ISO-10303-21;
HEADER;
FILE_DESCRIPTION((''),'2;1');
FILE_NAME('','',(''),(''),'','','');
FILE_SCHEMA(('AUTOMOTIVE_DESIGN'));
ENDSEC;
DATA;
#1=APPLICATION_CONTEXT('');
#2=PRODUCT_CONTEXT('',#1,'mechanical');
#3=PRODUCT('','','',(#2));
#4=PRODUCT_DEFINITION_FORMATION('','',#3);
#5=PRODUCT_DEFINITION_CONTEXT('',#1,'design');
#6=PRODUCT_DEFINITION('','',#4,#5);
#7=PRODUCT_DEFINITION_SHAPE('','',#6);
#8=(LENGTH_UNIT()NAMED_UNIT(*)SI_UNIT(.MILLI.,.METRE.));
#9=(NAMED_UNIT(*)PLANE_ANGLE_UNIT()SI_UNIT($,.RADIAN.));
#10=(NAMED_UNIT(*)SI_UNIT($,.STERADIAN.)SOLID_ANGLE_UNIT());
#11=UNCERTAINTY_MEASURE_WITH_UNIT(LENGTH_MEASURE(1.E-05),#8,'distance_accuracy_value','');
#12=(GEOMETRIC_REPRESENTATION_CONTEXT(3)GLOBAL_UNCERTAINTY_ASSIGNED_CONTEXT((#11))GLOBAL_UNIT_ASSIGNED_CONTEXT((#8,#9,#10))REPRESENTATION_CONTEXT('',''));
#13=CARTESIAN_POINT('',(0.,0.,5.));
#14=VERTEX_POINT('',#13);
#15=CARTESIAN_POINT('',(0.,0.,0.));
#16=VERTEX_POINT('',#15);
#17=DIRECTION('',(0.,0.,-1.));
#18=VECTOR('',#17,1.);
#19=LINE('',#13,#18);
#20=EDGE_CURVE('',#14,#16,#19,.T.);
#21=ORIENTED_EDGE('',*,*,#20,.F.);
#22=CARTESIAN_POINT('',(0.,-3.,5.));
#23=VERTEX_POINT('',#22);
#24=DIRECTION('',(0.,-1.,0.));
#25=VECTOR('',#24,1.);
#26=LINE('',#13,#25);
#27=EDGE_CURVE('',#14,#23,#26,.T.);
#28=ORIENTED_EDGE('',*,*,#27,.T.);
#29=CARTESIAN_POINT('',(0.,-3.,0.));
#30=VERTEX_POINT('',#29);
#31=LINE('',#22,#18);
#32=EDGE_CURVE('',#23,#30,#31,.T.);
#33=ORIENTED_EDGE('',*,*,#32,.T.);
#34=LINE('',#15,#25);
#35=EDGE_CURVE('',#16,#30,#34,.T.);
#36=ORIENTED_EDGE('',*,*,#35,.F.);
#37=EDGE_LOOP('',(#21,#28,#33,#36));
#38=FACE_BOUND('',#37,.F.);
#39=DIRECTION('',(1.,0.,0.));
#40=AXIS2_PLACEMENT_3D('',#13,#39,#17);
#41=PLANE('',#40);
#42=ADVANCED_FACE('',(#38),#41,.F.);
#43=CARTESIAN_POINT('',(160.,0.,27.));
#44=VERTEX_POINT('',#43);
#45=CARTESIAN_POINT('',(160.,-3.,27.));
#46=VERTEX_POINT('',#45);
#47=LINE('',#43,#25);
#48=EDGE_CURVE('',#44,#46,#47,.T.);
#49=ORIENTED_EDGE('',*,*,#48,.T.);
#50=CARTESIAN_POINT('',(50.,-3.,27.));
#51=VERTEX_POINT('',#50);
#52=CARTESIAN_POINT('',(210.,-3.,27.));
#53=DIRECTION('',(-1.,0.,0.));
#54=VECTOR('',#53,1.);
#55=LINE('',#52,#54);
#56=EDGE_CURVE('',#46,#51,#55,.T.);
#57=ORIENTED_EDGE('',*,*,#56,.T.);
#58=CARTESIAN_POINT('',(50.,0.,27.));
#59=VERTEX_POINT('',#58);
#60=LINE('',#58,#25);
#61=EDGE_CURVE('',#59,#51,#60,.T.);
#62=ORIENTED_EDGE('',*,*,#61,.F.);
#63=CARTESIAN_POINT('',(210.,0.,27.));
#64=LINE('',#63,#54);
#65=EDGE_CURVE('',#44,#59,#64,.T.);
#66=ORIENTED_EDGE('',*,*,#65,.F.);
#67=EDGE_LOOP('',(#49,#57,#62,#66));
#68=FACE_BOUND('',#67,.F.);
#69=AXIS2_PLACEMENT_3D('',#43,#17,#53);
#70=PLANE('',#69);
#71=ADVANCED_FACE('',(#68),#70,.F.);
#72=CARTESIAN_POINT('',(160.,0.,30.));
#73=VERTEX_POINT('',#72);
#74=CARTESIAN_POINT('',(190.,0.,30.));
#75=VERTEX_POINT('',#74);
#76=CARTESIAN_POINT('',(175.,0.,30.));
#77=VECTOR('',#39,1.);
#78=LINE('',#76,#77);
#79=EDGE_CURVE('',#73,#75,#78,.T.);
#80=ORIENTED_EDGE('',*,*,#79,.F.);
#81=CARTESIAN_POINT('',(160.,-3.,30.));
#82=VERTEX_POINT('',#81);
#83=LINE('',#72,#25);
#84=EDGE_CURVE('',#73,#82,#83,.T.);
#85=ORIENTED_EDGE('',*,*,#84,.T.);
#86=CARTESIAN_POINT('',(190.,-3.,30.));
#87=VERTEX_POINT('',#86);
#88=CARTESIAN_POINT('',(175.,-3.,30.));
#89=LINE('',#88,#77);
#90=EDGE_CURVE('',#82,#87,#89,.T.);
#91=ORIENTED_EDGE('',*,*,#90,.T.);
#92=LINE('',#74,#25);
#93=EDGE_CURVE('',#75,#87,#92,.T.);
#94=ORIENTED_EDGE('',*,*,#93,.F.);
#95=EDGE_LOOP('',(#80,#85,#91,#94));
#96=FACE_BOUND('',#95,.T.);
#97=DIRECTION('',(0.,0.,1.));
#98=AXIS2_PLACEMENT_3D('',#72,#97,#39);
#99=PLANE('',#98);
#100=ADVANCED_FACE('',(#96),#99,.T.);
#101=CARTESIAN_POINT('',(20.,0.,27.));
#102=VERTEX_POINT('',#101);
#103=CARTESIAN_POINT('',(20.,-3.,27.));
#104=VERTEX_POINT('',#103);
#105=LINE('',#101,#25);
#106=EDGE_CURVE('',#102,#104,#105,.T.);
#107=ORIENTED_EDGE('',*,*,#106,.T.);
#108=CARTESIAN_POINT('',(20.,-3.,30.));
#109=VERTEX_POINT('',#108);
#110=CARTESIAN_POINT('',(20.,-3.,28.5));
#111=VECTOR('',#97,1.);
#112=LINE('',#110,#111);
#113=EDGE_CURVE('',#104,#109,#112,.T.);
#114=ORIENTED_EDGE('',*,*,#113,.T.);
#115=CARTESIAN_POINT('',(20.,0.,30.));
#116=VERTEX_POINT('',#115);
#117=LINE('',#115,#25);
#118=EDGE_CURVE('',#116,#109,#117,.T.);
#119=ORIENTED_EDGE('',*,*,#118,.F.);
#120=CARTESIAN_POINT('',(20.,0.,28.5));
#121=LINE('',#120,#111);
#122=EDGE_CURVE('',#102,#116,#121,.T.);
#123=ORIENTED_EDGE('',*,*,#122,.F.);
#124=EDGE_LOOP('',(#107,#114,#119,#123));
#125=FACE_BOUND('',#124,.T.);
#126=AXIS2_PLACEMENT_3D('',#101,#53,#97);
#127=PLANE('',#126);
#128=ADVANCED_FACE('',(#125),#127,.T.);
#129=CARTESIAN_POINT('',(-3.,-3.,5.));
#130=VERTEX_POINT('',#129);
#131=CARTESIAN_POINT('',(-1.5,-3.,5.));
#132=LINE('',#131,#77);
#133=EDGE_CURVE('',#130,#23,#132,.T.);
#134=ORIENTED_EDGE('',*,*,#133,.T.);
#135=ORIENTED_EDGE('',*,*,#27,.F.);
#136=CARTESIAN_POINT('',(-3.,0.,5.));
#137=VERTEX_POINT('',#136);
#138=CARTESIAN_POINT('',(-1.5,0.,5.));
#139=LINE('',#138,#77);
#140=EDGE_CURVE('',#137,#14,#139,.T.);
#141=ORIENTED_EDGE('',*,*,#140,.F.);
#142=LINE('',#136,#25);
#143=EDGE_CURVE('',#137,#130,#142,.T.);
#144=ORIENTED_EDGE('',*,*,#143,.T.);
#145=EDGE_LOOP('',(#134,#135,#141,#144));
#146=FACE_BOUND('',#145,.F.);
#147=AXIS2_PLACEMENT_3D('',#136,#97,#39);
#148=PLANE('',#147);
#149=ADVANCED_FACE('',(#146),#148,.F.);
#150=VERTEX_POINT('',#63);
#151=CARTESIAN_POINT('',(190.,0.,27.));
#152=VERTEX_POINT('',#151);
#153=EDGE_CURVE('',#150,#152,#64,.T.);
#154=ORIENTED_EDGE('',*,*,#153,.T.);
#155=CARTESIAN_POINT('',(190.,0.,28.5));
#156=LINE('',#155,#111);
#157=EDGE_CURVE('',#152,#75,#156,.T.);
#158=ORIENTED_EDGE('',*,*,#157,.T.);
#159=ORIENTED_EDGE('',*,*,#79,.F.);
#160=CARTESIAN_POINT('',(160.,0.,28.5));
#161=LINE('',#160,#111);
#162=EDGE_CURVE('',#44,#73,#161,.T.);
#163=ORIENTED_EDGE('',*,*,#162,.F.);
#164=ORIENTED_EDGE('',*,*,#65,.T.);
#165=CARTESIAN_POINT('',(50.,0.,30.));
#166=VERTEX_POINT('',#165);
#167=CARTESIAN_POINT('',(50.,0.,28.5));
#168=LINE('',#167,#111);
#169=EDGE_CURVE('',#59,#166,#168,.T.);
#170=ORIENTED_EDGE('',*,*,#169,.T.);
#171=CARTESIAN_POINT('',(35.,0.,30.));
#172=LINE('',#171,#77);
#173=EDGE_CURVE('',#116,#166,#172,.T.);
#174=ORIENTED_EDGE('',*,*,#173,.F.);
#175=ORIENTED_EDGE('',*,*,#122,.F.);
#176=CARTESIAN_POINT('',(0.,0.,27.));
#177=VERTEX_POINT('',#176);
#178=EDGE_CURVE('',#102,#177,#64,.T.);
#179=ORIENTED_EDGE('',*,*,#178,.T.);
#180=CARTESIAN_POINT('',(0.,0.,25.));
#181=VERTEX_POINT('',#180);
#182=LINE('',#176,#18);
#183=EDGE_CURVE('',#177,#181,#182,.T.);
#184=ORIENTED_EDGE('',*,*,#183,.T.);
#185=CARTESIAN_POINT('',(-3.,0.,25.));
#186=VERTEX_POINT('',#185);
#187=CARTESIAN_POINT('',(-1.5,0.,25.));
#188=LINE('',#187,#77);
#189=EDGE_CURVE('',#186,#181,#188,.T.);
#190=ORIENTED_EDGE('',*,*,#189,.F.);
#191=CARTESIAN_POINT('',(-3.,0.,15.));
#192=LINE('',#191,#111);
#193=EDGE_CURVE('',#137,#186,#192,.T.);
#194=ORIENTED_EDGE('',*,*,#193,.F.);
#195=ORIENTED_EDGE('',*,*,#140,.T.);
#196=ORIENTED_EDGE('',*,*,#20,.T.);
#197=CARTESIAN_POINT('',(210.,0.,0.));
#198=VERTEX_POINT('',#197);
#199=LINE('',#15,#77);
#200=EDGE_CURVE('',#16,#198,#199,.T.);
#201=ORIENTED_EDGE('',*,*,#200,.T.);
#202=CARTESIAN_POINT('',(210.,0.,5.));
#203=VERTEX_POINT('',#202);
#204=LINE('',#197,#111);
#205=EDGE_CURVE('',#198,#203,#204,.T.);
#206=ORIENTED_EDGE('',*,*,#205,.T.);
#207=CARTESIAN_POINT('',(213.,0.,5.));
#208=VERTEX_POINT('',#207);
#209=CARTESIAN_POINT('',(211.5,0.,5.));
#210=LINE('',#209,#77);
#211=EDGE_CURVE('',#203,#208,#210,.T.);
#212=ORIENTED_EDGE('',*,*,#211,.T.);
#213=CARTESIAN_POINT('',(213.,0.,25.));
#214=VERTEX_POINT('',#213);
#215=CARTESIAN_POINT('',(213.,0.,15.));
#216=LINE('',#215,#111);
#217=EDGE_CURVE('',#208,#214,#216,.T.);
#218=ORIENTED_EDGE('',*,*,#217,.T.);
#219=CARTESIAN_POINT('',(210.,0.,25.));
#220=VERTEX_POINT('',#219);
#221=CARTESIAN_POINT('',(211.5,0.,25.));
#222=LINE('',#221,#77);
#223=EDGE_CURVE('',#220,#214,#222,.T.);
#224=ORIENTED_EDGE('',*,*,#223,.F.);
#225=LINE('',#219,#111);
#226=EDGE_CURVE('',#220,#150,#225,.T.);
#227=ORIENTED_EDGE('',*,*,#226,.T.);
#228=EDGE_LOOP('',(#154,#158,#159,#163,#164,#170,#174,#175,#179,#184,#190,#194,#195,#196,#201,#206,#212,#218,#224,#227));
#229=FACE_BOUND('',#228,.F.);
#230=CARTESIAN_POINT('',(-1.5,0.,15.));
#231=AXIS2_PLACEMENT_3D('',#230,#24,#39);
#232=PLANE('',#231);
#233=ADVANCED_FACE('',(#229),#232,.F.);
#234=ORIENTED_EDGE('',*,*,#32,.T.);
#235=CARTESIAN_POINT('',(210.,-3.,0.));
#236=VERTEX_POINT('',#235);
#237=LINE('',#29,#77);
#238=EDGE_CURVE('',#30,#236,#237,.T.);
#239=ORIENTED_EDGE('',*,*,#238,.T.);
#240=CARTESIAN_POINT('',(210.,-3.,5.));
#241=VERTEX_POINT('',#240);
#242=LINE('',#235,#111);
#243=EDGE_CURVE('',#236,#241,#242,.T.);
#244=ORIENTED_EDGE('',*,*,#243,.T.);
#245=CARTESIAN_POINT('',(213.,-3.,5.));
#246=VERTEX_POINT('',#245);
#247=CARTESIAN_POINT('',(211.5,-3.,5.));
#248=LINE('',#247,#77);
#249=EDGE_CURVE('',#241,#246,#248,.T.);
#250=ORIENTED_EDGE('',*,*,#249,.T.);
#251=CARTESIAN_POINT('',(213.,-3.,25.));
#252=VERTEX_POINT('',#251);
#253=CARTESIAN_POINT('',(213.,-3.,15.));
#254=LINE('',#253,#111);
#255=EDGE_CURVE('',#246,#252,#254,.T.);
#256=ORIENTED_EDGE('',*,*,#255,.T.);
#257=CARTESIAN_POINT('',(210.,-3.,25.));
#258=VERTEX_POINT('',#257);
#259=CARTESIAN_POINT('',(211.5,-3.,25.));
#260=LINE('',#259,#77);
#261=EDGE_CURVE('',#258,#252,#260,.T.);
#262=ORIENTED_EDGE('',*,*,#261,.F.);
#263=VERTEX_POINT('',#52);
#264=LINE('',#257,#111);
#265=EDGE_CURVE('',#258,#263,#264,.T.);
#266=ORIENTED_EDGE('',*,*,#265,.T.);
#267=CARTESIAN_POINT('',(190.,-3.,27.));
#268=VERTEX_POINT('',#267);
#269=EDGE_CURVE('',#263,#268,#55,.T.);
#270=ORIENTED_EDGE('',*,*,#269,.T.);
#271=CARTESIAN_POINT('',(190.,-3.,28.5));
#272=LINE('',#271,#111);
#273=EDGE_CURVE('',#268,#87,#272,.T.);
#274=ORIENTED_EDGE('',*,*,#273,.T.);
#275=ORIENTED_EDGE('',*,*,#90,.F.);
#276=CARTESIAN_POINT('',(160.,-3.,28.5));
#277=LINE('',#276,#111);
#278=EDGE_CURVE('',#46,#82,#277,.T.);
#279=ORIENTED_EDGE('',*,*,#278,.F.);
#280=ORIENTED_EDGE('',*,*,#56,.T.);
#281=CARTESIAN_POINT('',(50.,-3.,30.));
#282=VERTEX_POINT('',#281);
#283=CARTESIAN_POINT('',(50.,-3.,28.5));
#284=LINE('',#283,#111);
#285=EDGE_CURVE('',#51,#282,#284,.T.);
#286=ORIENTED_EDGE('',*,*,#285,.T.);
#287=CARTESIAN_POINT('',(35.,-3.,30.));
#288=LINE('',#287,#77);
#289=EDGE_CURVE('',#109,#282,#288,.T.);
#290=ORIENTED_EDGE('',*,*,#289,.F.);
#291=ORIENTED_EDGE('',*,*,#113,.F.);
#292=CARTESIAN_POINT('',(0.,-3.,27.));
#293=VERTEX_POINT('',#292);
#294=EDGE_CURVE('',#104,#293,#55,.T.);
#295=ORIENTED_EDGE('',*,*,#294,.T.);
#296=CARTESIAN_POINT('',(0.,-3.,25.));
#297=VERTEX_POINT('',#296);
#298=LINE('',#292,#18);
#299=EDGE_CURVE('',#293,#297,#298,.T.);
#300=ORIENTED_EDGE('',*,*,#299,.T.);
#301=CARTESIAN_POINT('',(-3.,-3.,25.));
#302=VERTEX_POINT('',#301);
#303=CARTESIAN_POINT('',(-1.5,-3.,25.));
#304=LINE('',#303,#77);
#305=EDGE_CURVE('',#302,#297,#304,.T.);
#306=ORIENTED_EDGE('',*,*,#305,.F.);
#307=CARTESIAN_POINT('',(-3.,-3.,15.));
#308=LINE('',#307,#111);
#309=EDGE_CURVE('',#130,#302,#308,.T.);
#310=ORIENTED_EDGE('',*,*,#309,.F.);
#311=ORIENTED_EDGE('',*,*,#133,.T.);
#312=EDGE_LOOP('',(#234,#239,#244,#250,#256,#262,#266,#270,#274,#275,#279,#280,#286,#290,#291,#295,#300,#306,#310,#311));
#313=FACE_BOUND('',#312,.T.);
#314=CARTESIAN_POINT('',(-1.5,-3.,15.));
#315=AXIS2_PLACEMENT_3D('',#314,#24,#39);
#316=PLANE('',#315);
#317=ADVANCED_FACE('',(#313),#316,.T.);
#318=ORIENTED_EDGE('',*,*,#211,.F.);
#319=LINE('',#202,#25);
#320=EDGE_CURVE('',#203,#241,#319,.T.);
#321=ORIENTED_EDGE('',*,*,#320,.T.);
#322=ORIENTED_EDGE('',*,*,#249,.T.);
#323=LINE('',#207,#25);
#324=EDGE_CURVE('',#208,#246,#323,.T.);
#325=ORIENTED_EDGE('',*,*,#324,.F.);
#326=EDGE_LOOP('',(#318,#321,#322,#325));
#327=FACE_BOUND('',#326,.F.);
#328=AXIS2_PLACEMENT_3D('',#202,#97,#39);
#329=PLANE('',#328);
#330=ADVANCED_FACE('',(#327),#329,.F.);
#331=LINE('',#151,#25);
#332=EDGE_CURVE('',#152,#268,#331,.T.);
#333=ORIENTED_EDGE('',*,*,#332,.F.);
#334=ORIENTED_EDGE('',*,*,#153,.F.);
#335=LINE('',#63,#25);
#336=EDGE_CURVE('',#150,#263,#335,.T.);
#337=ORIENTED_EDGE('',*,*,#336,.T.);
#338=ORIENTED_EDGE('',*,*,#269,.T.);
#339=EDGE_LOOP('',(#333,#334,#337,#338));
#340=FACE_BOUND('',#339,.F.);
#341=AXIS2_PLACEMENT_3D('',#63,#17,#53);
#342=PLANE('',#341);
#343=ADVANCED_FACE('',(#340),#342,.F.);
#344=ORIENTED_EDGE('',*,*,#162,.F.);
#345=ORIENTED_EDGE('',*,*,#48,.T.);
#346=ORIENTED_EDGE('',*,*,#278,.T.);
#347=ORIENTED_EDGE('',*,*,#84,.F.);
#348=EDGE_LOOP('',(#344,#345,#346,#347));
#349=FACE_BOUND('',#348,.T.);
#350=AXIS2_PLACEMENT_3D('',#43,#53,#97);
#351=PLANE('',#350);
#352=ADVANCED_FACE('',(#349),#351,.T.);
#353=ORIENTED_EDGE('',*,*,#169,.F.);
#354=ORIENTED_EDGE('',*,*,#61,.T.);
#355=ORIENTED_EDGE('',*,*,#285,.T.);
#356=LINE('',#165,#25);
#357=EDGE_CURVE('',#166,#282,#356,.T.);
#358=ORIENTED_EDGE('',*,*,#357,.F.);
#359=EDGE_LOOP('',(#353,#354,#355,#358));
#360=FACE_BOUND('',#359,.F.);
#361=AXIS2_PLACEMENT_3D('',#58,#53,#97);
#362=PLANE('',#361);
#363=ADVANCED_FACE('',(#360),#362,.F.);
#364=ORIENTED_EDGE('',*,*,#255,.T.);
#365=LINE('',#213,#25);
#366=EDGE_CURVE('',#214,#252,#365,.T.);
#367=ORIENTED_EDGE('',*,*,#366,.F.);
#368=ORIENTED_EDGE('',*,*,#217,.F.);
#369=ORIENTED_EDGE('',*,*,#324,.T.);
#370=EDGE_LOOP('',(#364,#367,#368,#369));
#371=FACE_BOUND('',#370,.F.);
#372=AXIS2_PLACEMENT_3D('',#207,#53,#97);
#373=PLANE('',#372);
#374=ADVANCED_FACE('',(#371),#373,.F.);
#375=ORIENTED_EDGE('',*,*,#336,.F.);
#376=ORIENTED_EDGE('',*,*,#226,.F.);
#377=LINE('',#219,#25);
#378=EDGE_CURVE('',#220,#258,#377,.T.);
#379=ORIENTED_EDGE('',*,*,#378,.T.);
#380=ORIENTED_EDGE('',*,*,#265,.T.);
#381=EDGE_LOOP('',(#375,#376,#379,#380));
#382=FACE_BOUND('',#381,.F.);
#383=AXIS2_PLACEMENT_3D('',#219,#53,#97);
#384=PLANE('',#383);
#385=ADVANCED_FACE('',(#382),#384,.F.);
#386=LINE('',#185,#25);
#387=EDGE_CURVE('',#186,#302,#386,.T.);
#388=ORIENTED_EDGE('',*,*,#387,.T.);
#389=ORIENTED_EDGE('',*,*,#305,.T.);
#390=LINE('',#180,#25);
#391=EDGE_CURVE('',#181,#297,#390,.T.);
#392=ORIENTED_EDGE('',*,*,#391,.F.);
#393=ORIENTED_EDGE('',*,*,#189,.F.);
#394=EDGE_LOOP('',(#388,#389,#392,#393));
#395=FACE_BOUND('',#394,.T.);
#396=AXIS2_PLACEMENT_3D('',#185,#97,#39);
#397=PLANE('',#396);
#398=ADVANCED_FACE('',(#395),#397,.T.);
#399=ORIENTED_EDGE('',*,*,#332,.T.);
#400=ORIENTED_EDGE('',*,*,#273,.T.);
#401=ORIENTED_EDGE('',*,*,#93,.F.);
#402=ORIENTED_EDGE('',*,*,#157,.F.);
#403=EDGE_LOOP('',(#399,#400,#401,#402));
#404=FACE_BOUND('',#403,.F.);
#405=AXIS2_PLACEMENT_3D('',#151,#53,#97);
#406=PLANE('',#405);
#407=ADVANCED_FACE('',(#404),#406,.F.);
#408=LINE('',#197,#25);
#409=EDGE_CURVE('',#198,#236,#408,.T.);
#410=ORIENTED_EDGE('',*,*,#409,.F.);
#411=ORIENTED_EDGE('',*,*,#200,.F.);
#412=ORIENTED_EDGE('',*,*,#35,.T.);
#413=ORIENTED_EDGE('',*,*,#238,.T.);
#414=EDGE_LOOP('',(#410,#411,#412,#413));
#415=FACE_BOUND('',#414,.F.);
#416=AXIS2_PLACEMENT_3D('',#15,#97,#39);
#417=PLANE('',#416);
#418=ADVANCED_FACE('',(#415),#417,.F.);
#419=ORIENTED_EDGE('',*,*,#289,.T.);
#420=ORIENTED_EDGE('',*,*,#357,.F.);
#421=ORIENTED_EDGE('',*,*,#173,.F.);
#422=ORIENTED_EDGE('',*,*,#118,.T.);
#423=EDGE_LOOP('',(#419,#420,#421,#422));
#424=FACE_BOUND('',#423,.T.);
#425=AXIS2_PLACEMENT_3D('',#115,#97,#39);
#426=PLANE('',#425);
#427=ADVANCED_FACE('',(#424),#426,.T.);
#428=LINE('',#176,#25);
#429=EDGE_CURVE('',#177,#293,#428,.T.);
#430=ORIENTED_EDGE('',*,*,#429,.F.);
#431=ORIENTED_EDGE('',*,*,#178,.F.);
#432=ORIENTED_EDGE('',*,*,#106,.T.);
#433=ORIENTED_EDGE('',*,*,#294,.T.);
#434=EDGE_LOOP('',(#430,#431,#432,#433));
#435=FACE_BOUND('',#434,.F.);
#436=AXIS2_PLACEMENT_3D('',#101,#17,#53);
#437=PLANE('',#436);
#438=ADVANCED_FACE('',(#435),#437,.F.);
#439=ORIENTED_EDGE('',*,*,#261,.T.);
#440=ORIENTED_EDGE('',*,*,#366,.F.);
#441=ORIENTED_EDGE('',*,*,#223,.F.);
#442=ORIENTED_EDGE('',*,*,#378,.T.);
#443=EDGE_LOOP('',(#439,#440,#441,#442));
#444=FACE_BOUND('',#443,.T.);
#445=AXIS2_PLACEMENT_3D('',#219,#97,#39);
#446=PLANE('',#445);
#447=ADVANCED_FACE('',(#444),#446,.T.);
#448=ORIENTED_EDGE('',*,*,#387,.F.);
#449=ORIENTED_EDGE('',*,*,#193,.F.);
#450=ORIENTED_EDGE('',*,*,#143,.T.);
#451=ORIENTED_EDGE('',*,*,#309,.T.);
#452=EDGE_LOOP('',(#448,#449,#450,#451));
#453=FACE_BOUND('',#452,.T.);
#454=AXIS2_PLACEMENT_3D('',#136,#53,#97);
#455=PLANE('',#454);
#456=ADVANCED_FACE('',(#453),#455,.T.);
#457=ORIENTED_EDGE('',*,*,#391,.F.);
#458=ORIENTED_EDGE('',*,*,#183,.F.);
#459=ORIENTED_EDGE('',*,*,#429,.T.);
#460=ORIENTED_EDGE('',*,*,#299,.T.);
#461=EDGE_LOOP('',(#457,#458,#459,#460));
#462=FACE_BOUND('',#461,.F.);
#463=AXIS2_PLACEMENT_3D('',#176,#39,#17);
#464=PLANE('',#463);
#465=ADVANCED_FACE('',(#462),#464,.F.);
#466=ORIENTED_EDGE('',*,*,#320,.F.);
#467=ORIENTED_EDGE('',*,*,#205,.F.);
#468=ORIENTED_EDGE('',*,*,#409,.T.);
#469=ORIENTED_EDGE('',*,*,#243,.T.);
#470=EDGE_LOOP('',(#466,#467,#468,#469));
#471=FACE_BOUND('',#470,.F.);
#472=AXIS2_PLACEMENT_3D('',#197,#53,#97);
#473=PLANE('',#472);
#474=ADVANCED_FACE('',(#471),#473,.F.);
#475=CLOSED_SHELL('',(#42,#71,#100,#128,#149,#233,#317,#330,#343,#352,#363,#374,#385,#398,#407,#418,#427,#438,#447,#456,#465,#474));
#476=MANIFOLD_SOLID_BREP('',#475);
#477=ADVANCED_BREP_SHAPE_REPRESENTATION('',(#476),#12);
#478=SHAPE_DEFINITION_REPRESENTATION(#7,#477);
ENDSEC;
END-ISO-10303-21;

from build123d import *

# Parameters (mm, degrees)
F0_W     = 3
F0_H     = 20
F0_W_2   = 30
F0_H_2   = 3
F1_DEPTH = 3


with BuildPart() as f1:
    # F0 (on Front) → F1 (new body)
    with BuildSketch(Plane.XZ):
        with Locations((-1.5, 15)):
            Rectangle(F0_W, F0_H)
        with Locations((211.5, 15)):
            Rectangle(F0_W, F0_H)
        Polygon((0, 5), (0, 0), (210, 0), (210, 5), (210, 25), (210, 27), (190, 27), (160, 27), (50, 27), (20, 27), (0, 27), (0, 25), align=None)
        with Locations((35, 28.5)):
            Rectangle(F0_W_2, F0_H_2)
        with Locations((175, 28.5)):
            Rectangle(F0_W_2, F0_H_2)
    extrude(amount=F1_DEPTH)


solid = f1.part
